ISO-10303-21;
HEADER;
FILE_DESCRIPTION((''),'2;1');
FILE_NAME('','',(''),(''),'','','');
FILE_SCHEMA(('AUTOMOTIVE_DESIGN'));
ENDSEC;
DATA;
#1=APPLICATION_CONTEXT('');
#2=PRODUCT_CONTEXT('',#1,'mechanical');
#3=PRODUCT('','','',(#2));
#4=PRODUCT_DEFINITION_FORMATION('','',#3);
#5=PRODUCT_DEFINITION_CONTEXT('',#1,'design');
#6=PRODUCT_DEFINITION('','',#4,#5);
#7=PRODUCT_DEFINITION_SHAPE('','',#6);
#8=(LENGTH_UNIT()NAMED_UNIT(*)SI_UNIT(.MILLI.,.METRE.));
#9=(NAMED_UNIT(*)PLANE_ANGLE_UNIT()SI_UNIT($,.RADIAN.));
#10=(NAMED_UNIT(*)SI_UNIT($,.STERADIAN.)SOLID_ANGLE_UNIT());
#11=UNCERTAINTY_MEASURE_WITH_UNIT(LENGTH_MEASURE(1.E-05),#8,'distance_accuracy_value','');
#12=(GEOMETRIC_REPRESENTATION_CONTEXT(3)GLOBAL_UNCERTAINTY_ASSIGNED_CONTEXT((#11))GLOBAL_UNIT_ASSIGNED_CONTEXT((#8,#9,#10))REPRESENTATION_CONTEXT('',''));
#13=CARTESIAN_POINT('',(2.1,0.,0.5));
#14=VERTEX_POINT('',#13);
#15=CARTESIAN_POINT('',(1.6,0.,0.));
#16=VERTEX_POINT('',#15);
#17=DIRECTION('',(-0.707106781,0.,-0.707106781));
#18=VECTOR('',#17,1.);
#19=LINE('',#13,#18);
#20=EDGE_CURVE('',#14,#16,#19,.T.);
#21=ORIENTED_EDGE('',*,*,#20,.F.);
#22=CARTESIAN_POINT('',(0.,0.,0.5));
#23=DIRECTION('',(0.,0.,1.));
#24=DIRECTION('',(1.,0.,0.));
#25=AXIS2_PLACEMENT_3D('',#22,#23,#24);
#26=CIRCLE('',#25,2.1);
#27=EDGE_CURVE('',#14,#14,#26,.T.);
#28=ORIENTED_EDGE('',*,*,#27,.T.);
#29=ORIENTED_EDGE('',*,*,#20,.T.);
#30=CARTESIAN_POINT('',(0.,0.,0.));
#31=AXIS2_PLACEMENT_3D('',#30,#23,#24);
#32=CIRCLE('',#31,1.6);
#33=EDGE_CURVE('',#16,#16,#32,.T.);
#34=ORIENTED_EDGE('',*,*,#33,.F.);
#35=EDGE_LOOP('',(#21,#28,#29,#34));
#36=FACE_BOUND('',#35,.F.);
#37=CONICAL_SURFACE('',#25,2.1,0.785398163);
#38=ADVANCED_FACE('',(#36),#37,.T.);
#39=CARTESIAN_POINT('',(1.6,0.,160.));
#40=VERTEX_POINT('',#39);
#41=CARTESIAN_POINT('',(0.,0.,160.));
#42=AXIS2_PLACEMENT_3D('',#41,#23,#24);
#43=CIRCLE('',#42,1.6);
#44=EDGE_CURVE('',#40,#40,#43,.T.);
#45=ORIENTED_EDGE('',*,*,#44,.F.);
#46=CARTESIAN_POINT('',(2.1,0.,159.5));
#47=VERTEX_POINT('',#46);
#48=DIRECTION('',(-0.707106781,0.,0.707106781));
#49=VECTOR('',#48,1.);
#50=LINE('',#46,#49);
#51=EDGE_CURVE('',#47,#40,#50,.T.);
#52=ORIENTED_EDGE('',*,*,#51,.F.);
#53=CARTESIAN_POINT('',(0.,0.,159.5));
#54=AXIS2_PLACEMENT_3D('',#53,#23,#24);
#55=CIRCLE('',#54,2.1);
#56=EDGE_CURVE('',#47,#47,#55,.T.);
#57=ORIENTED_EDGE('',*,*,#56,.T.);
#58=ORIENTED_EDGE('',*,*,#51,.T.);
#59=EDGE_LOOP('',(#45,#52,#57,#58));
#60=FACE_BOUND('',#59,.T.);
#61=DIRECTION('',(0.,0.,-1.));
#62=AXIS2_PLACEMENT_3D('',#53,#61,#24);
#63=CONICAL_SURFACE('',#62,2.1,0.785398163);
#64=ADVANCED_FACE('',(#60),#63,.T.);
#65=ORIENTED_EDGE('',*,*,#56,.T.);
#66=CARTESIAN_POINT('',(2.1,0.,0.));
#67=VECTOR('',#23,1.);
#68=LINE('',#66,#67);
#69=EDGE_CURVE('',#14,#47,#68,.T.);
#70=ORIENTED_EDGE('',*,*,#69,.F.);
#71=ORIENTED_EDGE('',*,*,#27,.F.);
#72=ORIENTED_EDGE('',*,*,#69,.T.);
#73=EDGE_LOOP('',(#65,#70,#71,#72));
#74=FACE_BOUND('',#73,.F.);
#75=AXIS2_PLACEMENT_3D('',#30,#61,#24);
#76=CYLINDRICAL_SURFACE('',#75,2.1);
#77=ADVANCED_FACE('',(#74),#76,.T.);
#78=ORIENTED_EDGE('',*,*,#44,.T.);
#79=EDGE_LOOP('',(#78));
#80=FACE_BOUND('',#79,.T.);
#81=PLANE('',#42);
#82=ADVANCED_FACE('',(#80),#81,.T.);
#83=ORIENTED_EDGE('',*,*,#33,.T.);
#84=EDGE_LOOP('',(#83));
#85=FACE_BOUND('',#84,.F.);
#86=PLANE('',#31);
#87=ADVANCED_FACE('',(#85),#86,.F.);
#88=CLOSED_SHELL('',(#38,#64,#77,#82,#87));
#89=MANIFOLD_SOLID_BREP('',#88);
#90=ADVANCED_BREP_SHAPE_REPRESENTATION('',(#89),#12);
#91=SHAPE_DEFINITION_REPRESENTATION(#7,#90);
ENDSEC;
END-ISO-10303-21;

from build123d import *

# Parameters (mm, degrees)
SKETCH_R     = 2.1
PAD_DEPTH    = 160
CHAMFER_SIZE = 0.5


with BuildPart() as part:
    # Sketch → Pad (new body)
    with BuildSketch(Plane.XY):
        Circle(SKETCH_R)
    extrude(amount=PAD_DEPTH)

    # Chamfer
    chamfer_edges = [part.edges().sort_by_distance(p)[0] for p in [
        (-2.1, 0, 160),
        (-2.1, 0, 0),
    ]]
    chamfer(chamfer_edges, length=CHAMFER_SIZE)


solid = part.part
